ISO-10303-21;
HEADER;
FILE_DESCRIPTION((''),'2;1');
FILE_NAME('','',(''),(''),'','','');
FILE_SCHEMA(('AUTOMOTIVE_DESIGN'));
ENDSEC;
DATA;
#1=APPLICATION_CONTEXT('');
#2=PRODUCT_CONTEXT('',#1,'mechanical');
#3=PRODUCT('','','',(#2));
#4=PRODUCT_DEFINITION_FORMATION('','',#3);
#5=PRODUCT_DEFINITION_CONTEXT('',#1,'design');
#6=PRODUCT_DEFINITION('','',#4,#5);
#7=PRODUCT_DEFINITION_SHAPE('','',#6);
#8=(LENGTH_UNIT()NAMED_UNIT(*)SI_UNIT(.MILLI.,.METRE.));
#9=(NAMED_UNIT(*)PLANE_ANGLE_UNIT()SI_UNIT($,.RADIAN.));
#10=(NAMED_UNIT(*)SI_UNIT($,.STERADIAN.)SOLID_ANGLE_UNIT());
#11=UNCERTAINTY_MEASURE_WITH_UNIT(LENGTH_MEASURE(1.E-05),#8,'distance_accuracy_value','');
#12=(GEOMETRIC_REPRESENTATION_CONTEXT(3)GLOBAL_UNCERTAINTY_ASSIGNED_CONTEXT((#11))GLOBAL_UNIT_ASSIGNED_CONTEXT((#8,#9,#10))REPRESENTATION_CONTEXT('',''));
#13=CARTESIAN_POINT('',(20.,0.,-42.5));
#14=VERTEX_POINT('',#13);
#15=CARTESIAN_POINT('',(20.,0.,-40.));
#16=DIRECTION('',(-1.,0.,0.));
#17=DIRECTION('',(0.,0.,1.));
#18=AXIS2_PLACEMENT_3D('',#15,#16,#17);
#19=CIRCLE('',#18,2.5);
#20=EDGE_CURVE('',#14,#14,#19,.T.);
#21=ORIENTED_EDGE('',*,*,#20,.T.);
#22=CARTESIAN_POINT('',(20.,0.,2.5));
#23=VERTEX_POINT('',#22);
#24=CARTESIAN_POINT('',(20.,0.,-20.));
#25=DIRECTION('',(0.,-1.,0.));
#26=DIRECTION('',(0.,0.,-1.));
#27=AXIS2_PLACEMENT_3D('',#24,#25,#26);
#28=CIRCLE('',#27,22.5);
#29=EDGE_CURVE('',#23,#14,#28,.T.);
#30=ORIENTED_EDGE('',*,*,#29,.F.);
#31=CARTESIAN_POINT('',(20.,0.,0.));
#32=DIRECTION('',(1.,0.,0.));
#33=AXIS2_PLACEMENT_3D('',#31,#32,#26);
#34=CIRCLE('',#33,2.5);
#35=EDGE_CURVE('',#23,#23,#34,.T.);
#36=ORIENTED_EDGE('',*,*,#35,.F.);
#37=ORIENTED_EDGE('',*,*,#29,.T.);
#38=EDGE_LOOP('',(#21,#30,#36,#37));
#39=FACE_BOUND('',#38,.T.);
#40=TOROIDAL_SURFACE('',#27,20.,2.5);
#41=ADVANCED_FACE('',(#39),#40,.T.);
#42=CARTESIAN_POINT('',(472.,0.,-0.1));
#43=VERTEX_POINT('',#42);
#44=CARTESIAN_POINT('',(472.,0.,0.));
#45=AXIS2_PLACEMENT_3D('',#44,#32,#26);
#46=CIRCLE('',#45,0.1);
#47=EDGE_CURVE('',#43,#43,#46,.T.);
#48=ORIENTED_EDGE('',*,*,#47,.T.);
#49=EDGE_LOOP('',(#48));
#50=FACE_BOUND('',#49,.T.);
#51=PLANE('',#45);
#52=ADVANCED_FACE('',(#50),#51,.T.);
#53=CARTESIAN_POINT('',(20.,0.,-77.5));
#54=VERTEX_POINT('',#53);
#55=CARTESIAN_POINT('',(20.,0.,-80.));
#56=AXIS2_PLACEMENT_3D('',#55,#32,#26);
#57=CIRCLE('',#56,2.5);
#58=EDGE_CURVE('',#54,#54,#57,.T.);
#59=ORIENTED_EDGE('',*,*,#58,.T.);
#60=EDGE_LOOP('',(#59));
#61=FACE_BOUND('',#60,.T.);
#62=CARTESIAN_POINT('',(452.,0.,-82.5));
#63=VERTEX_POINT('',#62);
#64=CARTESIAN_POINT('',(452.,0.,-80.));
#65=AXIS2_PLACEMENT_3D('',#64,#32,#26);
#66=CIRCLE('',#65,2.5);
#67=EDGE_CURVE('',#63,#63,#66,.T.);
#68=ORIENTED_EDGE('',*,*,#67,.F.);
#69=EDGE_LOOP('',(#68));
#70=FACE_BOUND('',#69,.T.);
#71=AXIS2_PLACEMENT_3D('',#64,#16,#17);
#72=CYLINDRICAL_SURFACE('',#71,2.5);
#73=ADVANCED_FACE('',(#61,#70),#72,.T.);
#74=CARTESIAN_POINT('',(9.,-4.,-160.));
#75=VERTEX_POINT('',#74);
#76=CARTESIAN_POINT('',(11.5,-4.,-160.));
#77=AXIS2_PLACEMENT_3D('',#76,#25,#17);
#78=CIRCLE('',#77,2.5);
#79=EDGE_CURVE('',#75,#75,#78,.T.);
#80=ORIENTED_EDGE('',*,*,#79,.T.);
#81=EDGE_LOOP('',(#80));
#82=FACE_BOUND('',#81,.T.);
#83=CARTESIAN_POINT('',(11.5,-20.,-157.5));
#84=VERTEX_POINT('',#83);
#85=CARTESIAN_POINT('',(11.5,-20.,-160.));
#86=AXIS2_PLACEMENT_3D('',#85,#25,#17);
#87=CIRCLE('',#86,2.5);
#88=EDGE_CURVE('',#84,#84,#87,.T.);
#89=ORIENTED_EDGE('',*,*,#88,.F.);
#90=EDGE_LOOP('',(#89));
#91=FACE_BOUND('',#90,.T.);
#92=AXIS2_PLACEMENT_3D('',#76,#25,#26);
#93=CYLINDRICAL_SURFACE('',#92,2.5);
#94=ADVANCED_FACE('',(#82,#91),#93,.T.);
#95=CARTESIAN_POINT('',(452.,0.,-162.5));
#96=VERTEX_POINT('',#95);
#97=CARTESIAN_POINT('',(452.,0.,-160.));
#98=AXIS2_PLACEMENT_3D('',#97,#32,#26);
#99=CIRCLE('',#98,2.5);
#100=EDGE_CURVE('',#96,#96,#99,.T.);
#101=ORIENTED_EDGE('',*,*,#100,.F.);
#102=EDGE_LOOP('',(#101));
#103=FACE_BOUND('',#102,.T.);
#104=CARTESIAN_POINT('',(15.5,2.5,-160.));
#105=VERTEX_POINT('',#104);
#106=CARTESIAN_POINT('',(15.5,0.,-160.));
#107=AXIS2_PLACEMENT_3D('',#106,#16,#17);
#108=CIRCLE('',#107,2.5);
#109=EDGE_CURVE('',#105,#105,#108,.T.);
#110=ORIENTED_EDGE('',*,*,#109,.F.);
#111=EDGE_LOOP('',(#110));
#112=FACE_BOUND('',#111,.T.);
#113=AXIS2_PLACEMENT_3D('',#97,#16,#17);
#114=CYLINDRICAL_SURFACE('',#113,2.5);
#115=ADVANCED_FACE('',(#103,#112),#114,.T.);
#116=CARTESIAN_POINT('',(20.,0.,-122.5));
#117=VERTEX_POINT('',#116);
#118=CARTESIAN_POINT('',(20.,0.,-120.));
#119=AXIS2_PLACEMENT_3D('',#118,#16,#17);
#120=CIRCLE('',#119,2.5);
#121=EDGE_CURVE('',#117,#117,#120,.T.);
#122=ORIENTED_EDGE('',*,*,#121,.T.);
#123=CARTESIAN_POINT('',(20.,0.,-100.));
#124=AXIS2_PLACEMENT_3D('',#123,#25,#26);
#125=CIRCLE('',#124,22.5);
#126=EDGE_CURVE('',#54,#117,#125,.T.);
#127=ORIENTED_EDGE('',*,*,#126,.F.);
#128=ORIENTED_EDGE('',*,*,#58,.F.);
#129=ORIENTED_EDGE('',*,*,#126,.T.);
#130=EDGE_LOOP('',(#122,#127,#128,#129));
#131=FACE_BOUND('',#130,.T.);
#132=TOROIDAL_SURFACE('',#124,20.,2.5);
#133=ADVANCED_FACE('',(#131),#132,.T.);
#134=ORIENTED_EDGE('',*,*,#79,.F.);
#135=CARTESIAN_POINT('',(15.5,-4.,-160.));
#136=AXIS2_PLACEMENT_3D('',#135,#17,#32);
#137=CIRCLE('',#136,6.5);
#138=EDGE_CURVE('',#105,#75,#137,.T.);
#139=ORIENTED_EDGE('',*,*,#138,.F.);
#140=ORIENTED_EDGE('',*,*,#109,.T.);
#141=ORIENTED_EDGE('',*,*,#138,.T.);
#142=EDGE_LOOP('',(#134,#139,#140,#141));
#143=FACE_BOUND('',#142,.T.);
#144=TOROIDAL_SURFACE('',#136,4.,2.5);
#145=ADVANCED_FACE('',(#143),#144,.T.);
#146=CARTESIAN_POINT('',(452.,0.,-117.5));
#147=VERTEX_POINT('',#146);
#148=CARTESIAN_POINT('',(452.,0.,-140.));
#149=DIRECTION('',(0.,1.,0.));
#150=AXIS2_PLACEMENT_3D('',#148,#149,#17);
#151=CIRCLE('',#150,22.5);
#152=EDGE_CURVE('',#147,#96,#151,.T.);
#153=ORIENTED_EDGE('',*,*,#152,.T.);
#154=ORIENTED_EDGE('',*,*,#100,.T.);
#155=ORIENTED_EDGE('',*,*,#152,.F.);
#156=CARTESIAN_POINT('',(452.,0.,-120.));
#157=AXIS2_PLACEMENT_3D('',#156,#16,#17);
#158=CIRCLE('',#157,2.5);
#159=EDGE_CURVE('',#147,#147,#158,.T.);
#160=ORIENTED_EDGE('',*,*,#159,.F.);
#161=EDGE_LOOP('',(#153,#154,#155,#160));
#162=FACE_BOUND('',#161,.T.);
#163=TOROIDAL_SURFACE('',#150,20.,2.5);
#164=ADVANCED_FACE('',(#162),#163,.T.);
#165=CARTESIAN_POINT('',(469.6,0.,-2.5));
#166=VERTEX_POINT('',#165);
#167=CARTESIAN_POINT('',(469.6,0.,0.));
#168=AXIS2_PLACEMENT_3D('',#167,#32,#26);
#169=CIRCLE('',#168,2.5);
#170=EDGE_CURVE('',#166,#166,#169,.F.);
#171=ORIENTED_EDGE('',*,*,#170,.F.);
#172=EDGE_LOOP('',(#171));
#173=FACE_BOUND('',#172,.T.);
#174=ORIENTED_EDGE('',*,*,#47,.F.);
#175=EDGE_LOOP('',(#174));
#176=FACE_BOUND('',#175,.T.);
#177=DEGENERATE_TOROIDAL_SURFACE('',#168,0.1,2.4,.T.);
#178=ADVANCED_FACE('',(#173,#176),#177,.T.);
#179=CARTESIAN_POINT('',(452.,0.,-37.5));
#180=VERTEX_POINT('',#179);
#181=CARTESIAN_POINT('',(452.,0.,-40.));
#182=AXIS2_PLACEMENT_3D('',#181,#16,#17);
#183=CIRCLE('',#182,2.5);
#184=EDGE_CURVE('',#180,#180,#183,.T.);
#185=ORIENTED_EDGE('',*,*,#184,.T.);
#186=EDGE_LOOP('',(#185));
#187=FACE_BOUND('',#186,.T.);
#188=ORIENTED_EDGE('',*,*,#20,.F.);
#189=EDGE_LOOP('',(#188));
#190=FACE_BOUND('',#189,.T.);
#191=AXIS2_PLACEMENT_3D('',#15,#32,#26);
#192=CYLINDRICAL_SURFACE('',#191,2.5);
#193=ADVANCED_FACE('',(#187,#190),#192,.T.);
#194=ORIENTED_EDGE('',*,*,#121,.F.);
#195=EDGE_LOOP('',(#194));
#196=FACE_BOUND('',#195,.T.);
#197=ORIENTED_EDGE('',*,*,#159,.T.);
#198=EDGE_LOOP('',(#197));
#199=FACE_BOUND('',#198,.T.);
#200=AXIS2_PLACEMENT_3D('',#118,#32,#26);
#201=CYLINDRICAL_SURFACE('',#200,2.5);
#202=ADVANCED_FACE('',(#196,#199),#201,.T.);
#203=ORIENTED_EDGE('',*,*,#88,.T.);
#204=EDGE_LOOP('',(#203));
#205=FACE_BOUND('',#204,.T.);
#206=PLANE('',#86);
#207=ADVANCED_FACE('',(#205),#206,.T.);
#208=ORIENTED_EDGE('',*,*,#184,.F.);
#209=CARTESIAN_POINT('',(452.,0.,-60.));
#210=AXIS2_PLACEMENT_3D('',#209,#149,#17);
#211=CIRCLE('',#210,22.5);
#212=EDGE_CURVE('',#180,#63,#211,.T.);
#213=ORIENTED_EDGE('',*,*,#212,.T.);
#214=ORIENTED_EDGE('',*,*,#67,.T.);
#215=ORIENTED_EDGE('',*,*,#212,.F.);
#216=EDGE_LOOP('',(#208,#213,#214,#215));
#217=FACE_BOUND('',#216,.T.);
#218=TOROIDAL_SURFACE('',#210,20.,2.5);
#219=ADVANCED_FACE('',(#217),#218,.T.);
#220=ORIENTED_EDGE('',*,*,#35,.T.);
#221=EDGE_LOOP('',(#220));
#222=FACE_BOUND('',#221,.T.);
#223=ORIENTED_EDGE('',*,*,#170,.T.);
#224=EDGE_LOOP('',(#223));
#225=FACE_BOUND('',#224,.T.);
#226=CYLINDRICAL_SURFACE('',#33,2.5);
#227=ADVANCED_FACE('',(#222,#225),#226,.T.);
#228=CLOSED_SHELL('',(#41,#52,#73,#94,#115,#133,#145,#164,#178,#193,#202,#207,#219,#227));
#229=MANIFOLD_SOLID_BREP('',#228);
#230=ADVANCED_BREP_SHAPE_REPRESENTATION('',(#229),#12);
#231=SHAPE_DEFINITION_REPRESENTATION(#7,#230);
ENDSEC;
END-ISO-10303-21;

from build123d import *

# Parameters (mm, degrees)
ESQUISSE2_R = 2.5
CONG_1_R    = 2.4
ESQUISSE4_R = 2.5


with BuildPart() as part:
    # Balayage1: sweep along a path in Esquisse1
    with BuildLine(Plane(origin=(0, 0, 0), x_dir=(1, 0, 0), z_dir=(0, 1, 0))) as balayage1_path:
        Line((472, 0), (20, 0))
        ThreePointArc((20, 0), (0, 20), (20, 40))
        Line((20, 40), (452, 40))
        ThreePointArc((452, 40), (472, 60), (452, 80))
        Line((452, 80), (20, 80))
        ThreePointArc((20, 80), (0, 100), (20, 120))
        Line((20, 120), (452, 120))
        ThreePointArc((452, 120), (472, 140), (452, 160))
        Line((452, 160), (20, 160))
    # Esquisse2 → Balayage1 (sweep)
    with BuildSketch(Plane(origin=(472, 0, 0), x_dir=(0, 0, -1), z_dir=(1, 0, 0))):
        Circle(ESQUISSE2_R)
    sweep(path=balayage1_path.line)

    # Congé1
    cong_1_edges = [part.edges().sort_by_distance(p)[0] for p in [
        (472, 0, 2.5),
    ]]
    fillet(cong_1_edges, radius=CONG_1_R)

    # Balayage2: sweep along a path in Esquisse3
    with BuildLine(Plane.XY.offset(-160)) as balayage2_path:
        Line((20, 0), (15.5, 0))
        ThreePointArc((15.5, 0), (12.671572875, -1.171572875), (11.5, -4))
        Line((11.5, -4), (11.5, -20))
    # Esquisse4 → Balayage2 (sweep)
    with BuildSketch(Plane.ZY.offset(-20)):
        with Locations((-160, 0)):
            Circle(ESQUISSE4_R)
    sweep(path=balayage2_path.line)


solid = part.part
